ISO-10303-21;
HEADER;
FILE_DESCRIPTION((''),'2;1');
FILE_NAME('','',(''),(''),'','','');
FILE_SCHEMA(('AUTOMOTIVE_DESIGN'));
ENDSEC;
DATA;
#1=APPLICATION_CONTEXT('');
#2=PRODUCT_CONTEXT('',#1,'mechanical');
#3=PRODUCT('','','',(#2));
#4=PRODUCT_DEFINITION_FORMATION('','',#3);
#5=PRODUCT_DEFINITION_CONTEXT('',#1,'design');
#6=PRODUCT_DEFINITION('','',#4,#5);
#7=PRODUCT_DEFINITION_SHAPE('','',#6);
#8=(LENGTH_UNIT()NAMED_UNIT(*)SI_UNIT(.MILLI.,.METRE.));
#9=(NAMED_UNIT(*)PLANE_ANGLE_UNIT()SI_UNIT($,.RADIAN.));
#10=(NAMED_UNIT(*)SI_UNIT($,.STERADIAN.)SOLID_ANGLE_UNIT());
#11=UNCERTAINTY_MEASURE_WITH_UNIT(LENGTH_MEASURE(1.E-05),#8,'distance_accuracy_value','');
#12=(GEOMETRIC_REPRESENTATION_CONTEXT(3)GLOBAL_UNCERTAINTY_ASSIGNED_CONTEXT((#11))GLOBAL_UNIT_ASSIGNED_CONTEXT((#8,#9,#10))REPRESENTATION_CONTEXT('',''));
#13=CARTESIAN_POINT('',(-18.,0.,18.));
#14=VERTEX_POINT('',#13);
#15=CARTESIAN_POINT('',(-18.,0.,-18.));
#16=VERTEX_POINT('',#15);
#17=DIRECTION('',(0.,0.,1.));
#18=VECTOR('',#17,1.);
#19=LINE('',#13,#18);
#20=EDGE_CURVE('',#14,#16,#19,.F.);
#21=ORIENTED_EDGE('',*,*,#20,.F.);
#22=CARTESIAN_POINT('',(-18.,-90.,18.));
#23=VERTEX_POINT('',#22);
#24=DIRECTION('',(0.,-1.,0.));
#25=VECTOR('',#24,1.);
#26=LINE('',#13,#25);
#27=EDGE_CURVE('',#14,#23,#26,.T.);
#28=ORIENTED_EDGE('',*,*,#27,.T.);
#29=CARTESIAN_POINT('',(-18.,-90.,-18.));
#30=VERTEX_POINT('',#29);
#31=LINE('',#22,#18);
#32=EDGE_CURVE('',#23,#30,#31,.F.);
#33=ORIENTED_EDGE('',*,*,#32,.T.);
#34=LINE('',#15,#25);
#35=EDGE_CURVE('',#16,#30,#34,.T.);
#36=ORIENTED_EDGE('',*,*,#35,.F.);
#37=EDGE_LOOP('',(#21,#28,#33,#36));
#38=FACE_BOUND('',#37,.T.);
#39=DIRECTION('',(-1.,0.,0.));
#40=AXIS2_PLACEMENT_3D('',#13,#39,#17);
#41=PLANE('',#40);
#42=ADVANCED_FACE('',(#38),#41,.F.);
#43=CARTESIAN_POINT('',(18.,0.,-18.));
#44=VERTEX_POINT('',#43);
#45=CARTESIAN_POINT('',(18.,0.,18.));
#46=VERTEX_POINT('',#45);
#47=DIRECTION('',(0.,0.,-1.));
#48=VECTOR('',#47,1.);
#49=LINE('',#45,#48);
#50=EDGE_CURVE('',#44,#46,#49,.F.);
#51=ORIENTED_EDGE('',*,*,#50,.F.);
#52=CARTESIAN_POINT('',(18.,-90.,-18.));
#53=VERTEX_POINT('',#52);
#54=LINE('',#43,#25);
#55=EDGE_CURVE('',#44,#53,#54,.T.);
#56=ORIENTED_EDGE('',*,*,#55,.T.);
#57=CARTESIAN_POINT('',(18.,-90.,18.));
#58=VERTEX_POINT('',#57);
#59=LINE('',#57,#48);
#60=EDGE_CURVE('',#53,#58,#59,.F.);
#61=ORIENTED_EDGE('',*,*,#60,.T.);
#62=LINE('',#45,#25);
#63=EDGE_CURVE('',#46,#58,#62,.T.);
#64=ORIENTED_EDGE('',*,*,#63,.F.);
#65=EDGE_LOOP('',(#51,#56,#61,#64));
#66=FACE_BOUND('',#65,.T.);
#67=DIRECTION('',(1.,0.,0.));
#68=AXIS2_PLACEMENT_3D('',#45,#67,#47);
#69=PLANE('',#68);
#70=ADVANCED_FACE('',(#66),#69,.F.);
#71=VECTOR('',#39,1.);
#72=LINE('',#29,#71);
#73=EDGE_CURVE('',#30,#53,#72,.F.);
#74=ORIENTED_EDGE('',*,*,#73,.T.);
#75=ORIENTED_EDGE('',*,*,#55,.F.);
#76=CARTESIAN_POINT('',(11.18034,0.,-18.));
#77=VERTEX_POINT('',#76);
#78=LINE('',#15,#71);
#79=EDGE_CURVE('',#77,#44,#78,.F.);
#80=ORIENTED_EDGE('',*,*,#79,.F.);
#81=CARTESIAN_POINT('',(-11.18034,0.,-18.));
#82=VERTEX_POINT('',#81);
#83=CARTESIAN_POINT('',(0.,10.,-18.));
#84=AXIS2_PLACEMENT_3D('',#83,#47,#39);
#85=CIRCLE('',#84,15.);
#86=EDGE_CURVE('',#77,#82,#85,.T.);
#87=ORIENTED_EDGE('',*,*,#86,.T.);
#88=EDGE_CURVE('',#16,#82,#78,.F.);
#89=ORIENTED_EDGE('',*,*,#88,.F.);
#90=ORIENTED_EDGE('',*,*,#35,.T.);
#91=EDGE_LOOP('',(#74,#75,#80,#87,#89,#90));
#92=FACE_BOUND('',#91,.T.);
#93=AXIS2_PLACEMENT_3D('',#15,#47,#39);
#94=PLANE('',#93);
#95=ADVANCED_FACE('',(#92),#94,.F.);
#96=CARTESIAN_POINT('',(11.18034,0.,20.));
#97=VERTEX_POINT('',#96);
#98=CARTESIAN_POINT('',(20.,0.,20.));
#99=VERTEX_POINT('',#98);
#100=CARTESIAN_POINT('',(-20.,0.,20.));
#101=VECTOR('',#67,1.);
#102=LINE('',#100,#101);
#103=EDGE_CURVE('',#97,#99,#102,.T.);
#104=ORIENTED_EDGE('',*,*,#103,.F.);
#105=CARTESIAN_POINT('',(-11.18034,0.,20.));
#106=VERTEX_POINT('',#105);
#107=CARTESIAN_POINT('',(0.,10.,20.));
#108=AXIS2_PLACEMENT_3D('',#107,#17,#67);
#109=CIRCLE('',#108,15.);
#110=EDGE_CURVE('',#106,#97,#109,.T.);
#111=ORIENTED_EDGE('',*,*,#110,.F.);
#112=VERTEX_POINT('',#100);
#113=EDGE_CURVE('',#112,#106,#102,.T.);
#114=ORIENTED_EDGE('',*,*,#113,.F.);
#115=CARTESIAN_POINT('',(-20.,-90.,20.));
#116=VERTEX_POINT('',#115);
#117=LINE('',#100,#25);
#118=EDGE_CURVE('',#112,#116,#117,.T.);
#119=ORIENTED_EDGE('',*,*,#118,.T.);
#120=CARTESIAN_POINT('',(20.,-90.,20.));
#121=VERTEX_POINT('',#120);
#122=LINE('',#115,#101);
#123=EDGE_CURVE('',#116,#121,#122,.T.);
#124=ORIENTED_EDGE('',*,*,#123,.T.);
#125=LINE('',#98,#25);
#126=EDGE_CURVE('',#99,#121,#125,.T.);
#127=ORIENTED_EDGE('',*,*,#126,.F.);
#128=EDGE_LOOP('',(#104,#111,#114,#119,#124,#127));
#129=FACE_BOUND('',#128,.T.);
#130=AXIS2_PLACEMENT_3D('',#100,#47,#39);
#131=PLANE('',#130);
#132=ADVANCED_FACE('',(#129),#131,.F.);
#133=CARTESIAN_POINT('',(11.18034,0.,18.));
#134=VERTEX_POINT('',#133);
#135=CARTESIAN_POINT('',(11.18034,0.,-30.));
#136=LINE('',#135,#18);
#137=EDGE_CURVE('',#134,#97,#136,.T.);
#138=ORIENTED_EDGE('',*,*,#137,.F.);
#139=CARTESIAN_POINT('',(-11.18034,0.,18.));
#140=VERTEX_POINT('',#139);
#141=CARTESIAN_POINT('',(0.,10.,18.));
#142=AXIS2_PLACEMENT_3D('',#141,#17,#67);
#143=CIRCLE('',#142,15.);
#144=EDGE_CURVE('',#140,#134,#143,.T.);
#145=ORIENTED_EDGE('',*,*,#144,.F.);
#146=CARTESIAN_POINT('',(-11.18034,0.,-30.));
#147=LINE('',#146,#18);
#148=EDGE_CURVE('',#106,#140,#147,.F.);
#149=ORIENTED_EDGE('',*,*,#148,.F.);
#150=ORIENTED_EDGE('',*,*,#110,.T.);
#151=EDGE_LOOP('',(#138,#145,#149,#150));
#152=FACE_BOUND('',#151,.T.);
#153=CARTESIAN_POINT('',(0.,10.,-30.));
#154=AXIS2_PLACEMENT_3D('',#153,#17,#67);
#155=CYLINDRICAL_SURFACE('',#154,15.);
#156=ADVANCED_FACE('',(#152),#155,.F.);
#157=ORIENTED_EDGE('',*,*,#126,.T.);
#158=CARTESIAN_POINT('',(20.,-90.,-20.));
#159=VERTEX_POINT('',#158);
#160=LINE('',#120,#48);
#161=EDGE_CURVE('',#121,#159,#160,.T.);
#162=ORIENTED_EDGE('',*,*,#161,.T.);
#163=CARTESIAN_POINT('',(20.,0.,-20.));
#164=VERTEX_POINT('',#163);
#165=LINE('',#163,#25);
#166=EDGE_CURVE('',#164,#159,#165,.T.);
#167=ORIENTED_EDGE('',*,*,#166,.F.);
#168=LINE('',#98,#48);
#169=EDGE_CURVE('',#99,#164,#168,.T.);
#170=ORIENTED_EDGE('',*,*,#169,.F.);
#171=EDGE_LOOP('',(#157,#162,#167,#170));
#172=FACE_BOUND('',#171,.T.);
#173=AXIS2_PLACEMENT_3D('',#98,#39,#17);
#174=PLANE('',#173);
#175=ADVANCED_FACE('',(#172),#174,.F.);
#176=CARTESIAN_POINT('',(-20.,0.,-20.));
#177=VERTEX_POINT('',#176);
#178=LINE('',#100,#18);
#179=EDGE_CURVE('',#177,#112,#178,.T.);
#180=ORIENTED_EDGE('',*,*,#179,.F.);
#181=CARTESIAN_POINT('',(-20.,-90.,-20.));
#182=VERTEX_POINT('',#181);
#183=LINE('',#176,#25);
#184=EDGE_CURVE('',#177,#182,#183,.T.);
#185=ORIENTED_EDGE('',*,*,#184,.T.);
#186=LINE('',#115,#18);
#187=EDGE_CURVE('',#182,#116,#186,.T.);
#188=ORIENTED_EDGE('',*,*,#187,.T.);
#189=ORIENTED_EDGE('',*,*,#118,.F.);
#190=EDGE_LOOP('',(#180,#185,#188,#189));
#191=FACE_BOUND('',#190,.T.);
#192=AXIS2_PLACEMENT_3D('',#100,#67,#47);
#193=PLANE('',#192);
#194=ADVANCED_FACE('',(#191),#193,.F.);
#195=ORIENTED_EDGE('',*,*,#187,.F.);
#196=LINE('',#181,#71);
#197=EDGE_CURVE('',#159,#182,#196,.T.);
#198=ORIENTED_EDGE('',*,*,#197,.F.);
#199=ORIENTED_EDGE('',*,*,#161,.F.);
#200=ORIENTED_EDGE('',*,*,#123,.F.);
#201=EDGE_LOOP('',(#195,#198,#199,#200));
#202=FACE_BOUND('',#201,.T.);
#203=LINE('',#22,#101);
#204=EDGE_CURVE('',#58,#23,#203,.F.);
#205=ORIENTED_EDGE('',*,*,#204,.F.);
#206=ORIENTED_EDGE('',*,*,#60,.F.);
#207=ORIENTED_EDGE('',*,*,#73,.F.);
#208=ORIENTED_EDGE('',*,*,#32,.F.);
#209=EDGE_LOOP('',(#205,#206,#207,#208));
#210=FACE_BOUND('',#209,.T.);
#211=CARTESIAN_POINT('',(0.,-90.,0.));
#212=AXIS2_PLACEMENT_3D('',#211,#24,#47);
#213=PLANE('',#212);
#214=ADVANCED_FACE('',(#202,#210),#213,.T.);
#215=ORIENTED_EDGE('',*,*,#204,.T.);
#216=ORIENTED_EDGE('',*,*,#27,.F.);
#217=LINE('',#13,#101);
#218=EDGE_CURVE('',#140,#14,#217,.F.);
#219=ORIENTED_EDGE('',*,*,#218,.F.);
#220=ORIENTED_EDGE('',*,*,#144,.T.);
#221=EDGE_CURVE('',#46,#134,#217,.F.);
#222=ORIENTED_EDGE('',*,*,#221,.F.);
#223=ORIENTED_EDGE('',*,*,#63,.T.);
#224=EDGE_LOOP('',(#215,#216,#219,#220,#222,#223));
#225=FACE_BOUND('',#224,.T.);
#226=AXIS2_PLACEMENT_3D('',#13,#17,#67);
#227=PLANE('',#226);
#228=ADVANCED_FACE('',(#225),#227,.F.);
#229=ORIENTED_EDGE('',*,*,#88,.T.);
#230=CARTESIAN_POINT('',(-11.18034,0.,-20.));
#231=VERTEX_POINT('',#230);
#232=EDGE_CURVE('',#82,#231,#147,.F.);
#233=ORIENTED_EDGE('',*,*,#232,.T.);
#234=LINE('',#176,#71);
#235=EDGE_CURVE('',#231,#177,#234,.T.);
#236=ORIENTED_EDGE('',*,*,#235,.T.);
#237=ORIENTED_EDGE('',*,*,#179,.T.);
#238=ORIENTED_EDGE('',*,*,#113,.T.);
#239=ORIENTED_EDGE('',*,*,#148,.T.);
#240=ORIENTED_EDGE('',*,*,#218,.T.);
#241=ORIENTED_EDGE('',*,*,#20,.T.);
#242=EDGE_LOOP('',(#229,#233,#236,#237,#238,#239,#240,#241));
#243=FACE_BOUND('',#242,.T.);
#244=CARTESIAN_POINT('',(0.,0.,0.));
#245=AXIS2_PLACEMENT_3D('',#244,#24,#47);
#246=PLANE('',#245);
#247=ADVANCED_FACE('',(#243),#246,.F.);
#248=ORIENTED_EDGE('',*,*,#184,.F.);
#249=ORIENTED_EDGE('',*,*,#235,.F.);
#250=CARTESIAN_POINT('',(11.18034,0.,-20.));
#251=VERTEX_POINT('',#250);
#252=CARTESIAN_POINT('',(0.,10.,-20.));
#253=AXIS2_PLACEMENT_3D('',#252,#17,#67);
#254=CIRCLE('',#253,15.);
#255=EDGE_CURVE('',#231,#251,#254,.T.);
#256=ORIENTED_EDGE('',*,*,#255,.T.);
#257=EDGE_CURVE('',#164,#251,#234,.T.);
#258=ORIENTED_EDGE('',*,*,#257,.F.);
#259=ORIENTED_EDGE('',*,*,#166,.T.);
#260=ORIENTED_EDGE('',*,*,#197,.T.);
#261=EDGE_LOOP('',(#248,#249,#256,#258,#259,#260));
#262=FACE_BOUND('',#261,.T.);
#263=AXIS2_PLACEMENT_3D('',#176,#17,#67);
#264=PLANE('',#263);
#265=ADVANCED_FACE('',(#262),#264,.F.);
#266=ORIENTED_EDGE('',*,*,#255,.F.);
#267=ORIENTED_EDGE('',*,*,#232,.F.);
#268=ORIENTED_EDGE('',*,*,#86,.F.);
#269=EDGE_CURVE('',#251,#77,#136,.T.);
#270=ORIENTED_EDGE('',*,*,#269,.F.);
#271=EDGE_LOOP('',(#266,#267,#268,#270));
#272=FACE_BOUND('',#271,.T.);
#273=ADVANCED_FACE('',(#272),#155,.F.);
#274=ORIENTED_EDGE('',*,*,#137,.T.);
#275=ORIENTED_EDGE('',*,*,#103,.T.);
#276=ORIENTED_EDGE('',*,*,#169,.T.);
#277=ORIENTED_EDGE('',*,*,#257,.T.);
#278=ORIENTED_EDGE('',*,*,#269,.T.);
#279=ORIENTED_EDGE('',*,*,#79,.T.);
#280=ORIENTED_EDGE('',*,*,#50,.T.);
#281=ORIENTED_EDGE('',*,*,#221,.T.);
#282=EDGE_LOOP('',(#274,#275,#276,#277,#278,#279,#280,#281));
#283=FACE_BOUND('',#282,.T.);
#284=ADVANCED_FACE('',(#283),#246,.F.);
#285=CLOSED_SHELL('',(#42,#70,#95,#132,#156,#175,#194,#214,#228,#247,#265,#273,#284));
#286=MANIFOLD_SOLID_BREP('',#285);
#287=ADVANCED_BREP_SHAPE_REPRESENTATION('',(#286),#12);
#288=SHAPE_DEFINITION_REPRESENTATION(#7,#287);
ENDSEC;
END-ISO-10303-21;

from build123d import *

# Parameters (mm, degrees)
ESBO_O1_W             = 40
ESBO_O1_H             = 40
ESBO_O1_W_2           = 36
ESBO_O1_H_2           = 36
ESBO_O3_R             = 15
CORTE_EXTRUS_O1_DEPTH = 50


with BuildPart() as part:
    # Varredura1: sweep along a path in Esboço2
    with BuildLine(Plane(origin=(0, 0, 0), x_dir=(0, 0, -1), z_dir=(1, 0, 0))) as varredura1_path:
        Line((0, 0), (0, -90))
    # Esboço1 → Varredura1 (sweep)
    with BuildSketch(Plane(origin=(0, 0, 0), x_dir=(1, 0, 0), z_dir=(0, 1, 0))):
        Rectangle(ESBO_O1_W, ESBO_O1_H)
        Rectangle(ESBO_O1_W_2, ESBO_O1_H_2, mode=Mode.SUBTRACT)
    sweep(path=varredura1_path.line)

    # Esboço3 → Corte-extrusão1 (cut)
    with BuildSketch(Plane.XY.offset(20)):
        with Locations((0, 10)):
            Circle(ESBO_O3_R)
    extrude(amount=-CORTE_EXTRUS_O1_DEPTH, mode=Mode.SUBTRACT)


solid = part.part
